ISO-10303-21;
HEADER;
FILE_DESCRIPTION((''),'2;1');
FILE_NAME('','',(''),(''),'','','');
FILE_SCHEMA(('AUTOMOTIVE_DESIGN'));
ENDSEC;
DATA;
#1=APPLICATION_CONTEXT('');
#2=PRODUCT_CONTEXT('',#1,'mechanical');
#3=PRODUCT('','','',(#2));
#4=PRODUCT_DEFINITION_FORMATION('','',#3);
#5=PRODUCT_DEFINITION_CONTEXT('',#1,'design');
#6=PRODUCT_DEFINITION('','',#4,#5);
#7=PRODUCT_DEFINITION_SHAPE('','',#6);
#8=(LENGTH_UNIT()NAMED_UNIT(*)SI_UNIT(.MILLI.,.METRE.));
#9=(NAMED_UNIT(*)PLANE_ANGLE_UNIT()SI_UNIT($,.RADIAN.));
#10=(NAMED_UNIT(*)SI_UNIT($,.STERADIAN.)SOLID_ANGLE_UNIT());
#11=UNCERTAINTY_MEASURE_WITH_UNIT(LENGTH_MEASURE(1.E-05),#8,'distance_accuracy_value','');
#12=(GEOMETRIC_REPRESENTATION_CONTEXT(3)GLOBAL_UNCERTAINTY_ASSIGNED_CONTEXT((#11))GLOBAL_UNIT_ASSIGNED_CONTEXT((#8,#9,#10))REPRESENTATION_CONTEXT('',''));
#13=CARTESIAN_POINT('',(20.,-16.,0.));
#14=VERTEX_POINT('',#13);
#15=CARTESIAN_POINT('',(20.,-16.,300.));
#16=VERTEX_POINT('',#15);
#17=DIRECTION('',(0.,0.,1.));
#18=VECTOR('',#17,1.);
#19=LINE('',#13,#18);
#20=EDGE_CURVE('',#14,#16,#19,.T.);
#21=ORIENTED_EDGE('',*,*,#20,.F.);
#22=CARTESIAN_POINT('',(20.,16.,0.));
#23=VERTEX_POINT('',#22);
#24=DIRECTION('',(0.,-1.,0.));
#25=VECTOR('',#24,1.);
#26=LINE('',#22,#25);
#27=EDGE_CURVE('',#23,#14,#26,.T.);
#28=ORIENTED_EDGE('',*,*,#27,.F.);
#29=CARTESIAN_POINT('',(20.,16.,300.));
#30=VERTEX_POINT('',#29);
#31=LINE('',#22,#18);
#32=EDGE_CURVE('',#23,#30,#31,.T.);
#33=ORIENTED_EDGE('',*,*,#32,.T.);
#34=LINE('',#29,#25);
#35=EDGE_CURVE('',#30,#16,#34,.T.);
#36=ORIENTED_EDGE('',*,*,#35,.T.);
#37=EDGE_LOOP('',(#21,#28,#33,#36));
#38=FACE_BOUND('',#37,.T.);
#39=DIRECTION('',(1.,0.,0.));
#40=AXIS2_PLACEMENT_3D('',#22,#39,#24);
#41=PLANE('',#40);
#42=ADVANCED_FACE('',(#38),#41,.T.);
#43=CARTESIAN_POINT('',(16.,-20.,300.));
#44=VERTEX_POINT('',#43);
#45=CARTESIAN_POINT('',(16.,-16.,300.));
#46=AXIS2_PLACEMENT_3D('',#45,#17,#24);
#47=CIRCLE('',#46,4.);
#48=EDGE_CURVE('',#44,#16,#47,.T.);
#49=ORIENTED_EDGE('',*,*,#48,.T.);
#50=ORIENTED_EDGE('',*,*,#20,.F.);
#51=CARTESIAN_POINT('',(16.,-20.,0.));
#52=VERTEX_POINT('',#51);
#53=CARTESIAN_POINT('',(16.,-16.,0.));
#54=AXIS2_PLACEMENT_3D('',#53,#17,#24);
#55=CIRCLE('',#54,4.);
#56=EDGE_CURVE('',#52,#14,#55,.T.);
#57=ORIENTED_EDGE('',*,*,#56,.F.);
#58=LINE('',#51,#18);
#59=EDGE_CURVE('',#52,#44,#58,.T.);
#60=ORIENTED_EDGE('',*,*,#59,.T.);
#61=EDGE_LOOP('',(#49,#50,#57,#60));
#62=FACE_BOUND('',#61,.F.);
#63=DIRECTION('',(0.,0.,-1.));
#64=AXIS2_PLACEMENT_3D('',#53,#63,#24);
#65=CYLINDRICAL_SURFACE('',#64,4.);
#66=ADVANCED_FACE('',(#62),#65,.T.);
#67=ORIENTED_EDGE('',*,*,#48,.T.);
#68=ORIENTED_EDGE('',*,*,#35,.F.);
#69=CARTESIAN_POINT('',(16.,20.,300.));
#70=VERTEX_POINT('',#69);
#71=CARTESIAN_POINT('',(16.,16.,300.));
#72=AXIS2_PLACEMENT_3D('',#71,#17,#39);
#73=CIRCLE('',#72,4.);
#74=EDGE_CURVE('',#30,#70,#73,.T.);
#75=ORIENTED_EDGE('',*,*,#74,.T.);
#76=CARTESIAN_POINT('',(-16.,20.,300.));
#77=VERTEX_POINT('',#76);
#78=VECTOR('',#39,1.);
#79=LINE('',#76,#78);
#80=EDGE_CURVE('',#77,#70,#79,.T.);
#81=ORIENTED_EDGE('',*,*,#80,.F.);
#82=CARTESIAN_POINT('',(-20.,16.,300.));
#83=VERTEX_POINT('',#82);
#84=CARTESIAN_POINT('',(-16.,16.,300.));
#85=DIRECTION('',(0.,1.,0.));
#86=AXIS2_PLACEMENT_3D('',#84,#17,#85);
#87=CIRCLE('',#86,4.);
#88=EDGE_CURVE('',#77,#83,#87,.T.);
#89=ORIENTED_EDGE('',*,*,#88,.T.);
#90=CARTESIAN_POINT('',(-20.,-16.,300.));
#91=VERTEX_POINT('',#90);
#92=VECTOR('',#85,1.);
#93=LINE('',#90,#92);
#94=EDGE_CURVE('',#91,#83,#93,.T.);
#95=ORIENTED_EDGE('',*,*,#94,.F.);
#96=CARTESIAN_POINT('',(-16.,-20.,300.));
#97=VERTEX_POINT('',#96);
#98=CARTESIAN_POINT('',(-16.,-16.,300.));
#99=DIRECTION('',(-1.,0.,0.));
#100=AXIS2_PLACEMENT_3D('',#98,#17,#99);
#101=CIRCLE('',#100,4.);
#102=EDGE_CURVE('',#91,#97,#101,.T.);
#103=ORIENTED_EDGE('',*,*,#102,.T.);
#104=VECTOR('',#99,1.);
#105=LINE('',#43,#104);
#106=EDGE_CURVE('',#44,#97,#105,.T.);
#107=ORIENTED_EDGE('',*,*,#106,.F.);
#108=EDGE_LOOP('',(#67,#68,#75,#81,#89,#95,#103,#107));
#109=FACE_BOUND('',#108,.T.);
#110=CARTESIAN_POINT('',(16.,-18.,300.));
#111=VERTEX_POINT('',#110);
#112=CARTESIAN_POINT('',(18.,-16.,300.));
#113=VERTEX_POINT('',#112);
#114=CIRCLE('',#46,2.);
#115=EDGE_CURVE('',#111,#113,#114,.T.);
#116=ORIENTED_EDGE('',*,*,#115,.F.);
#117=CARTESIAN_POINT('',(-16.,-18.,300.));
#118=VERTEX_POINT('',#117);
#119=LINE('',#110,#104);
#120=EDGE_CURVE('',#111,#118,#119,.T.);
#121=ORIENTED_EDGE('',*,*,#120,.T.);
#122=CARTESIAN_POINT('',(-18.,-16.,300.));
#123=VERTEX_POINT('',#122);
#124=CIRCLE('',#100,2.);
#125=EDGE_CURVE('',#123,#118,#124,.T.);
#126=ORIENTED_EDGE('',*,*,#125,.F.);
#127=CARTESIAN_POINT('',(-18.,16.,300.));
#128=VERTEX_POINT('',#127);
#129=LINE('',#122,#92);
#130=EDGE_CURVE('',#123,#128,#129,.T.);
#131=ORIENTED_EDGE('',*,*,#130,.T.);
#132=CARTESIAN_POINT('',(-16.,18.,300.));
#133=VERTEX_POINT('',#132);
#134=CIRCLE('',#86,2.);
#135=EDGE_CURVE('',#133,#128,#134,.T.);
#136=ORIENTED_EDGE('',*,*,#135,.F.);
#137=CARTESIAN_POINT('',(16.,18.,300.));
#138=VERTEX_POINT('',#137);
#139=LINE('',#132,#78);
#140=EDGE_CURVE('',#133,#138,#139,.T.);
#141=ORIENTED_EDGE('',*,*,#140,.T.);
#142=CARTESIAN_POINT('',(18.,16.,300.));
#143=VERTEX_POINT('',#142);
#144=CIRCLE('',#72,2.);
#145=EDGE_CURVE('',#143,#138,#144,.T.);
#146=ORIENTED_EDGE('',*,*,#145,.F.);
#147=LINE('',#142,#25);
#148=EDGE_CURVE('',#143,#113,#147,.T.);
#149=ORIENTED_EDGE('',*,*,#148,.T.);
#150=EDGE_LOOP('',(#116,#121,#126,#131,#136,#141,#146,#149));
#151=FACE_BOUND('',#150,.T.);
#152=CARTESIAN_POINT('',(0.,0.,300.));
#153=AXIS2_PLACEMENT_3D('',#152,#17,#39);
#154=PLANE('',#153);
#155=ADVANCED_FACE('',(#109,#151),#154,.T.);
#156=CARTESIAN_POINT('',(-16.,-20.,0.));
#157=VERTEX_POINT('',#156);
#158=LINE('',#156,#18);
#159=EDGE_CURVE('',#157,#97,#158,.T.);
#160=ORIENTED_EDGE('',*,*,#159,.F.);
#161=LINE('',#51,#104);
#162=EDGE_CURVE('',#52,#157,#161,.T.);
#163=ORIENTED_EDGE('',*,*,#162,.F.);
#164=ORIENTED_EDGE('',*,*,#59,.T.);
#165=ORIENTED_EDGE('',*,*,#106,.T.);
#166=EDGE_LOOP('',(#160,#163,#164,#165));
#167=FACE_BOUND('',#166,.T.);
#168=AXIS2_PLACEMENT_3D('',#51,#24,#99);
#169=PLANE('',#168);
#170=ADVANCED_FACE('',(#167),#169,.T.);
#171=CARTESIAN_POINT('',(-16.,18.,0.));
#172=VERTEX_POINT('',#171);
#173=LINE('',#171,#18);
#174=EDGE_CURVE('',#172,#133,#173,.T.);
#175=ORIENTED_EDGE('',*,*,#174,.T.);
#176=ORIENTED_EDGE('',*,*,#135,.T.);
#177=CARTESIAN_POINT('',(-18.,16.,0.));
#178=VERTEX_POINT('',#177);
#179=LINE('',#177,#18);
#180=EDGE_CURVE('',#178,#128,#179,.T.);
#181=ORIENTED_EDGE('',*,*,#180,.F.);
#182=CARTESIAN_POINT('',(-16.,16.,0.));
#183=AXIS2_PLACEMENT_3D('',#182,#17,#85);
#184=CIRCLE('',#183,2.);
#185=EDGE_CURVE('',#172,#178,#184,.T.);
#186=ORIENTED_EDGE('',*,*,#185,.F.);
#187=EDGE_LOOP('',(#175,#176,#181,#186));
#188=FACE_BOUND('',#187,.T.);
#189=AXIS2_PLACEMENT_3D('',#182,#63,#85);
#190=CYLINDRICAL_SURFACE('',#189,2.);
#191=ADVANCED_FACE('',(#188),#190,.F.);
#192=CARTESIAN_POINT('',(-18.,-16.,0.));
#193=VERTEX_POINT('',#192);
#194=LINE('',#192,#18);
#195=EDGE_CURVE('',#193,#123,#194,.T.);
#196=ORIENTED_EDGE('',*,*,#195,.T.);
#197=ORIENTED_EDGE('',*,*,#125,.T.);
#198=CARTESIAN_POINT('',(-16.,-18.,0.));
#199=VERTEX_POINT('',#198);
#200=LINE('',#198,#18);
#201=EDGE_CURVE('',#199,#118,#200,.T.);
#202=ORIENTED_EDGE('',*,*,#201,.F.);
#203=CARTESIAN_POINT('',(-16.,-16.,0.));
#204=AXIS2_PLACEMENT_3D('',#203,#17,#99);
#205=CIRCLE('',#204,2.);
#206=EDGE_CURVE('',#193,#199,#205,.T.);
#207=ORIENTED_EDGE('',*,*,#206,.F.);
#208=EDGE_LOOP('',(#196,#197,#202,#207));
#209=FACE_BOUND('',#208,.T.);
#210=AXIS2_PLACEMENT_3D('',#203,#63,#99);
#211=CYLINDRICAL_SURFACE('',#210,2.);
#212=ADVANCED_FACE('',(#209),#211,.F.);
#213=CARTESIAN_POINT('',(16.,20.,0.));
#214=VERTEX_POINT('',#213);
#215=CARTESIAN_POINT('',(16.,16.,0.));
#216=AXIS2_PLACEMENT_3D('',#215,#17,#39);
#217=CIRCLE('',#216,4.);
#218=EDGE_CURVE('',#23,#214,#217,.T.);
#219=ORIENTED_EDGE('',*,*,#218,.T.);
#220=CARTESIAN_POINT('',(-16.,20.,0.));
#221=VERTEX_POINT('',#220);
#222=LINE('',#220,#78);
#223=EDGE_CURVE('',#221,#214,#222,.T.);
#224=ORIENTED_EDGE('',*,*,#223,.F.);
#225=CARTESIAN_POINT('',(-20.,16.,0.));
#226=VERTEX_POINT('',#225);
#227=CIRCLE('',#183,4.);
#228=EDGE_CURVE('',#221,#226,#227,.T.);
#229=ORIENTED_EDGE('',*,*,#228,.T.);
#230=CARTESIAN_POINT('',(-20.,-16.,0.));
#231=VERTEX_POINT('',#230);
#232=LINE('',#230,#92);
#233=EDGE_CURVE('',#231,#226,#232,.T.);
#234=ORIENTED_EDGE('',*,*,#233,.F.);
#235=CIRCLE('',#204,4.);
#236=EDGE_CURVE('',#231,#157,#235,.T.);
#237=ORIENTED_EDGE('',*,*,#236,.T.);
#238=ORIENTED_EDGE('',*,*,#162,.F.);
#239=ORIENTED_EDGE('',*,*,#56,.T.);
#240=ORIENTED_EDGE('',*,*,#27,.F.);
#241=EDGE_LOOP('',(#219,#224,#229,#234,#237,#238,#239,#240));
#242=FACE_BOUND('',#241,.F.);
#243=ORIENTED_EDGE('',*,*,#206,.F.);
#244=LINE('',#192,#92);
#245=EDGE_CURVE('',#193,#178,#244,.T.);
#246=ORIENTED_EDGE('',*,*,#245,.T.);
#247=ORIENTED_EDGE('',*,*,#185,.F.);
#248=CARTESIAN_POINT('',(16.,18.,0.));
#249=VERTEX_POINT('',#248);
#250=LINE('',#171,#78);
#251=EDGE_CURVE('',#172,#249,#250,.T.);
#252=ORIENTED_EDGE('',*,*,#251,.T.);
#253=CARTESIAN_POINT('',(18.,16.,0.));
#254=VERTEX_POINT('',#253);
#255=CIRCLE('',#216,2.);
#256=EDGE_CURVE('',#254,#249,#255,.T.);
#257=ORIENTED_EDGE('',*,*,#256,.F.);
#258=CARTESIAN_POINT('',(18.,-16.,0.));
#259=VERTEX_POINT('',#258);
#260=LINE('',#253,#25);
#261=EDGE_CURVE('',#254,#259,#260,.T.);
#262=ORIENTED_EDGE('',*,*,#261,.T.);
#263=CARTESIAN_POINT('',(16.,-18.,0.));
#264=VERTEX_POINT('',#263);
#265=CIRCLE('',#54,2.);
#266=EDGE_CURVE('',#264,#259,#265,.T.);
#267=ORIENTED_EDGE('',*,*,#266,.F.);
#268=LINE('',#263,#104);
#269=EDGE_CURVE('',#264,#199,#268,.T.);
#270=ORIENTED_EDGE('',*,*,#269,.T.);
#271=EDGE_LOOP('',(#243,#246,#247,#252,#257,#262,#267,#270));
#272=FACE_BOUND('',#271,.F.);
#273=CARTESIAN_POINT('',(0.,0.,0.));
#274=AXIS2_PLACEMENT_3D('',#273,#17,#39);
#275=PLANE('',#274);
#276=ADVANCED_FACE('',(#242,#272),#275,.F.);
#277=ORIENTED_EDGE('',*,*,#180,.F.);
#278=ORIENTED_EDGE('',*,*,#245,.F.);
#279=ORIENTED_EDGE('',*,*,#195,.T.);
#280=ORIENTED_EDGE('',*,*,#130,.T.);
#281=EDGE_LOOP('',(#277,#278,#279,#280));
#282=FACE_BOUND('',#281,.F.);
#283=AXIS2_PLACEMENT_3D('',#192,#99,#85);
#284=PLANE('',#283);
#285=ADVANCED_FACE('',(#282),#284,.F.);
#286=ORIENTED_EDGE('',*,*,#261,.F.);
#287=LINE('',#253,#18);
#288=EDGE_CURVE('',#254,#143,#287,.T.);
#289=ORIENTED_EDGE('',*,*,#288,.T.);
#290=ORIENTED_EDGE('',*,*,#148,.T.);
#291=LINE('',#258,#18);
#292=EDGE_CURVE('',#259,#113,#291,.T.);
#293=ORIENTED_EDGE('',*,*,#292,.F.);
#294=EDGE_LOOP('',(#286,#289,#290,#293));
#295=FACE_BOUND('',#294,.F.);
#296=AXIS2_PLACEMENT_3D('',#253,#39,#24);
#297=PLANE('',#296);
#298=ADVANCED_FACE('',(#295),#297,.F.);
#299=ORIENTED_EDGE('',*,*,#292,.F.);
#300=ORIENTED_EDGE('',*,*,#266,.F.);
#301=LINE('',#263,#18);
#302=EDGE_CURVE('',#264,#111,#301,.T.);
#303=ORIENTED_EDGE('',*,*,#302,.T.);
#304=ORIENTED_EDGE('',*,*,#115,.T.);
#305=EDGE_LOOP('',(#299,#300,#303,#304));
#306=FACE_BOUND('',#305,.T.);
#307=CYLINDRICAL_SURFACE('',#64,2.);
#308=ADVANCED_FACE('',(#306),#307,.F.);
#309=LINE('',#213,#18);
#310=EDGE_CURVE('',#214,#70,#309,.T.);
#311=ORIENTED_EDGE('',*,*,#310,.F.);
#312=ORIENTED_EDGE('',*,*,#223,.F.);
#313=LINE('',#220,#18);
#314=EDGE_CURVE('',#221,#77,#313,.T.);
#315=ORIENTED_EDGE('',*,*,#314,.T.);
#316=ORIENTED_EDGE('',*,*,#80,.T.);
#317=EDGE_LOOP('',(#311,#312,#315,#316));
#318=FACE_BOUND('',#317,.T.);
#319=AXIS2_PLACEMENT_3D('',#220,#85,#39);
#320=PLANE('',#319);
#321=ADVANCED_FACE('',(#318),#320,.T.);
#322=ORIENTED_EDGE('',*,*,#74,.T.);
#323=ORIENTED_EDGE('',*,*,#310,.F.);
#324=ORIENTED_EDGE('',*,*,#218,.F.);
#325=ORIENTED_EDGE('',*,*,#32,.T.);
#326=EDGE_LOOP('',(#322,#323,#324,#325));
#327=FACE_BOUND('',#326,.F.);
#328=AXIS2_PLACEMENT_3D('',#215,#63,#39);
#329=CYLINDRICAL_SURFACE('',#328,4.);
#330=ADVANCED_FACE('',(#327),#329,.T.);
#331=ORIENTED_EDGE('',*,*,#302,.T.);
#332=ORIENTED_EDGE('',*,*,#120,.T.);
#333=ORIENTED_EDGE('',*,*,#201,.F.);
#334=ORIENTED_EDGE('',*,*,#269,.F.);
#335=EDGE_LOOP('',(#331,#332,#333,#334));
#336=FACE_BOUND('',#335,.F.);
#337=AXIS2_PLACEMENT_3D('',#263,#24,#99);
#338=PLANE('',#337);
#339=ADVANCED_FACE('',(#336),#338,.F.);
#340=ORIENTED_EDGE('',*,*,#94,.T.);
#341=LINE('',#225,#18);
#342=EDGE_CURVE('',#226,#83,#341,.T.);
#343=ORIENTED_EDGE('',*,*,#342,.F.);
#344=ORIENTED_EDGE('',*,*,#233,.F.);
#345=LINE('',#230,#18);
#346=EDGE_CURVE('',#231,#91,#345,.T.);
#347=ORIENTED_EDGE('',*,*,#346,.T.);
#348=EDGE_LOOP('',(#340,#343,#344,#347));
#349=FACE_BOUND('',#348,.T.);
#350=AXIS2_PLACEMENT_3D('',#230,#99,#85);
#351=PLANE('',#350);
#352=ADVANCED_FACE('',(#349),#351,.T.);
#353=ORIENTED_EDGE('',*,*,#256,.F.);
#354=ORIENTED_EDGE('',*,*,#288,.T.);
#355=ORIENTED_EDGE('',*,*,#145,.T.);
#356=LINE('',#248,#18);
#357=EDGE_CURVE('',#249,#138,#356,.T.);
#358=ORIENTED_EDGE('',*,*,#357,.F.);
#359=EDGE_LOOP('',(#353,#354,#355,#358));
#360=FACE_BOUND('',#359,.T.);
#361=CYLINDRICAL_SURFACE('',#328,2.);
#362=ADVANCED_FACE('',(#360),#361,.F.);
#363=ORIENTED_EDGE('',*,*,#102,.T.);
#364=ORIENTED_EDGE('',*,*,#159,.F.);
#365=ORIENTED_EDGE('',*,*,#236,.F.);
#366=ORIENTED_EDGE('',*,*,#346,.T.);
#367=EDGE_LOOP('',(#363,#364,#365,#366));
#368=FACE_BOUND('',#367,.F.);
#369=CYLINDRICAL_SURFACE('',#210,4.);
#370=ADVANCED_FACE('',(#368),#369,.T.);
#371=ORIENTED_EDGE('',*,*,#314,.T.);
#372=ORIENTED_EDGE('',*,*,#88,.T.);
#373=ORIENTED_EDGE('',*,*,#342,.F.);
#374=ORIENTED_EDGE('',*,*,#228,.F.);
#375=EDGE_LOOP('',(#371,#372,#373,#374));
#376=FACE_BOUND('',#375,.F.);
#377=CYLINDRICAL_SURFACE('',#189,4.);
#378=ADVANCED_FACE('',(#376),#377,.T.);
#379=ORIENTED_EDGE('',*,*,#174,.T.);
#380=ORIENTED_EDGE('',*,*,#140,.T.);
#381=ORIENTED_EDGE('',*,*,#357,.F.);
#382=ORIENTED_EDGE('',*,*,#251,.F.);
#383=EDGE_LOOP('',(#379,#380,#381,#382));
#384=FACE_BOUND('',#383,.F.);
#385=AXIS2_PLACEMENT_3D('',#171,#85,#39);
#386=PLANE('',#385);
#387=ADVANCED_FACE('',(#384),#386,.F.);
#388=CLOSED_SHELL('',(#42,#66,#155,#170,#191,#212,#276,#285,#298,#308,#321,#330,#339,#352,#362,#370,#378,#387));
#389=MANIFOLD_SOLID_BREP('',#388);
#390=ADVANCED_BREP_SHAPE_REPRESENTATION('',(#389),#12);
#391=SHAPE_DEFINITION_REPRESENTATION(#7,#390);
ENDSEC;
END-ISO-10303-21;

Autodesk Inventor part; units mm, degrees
ref_plane "YZ Plane" through (0, 0, 0) normal (1, 0, 0) x (0, 1, 0)
ref_plane "Piano iniziale" through (0, 0, 0) normal (0, 0, 1) x (1, 0, 0)
ref_plane "Piano finale" through (0, 0, 300) normal (0, 0, 1) x (1, 0, 0)
sketch "Schizzo" plane through (0, 0, 0) normal (0, 0, 1) x (1, 0, 0)
  line L0 (-20, -16) -> (-20, 16)
  line L1 (-16, 20) -> (16, 20)
  line L2 (20, 16) -> (20, -16)
  line L3 (16, -20) -> (-16, -20)
  arc A0 (-20, -16) -> (-16, -20) centre (-16, -16) ccw
  arc A1 (20, 16) -> (16, 20) centre (16, 16) ccw
  arc A2 (-16, 20) -> (-20, 16) centre (-16, 16) ccw
  arc A3 (16, -20) -> (20, -16) centre (16, -16) ccw
  arc A4 (-16, 18) -> (-18, 16) centre (-16, 16) ccw
  line L4 (-16, 18) -> (16, 18)
  arc A5 (18, 16) -> (16, 18) centre (16, 16) ccw
  line L5 (18, 16) -> (18, -16)
  arc A6 (16, -18) -> (18, -16) centre (16, -16) ccw
  line L6 (16, -18) -> (-16, -18)
  arc A7 (-18, -16) -> (-16, -18) centre (-16, -16) ccw
  line L7 (-18, -16) -> (-18, 16)
  line L8 (0, 29.1598) -> (0, -29.1598) construction
  line L9 (-29.1598, 0) -> (29.1598, 0) construction
  dimension "d7" = 4
  dimension "d9" = 40
  dimension "d11" = 40
  dimension "d12" = 2
  dimension "d15" = 20
  dimension "d16" = 20
extrude "Corpo" add sketch "Schizzo" along normal up to surface (300 mm away) from surface at 0
sketch "Sketch3" plane through (0, 0, 0) normal (0, 0, 1) x (1, 0, 0)
  line L0 (0, 0) -> (10, 0)
ref_plane "Work Plane3" through (0, 0, 0) normal (0, -1, 0) x (1, 0, 0)
sketch "Sketch4" plane through (0, 0, 0) normal (0, -1, 0) x (1, 0, 0)
  line L0 (-2, 0) -> (12, 0)
  line L1 (-2, 300) -> (12, 300)
  dimension "d18" = 300
equation "\"d7\" = G_IR"
equation "\"d9\" = G_W"
equation "\"d11\" = G_H"
equation "\"d12\" = G_T"
equation "\"d15\" = 0.5 * d9"
equation "\"d16\" = 0.5 * d11"
equation "\"d3\" = G_L"
equation "\"G_W\" = 40"
equation "\"G_H\" = 40"
equation "\"G_T\" = 2"
equation "\"G_IR\" = 4"
equation "\"G_L\" = d18"
equation "\"G_OFFSET_START\" = 0"
equation "\"G_OFFSET_END\" = 0"
properties part number "ISO 10799-2 - 40x40x2 - 300" material "Acciaio, Dolce"
